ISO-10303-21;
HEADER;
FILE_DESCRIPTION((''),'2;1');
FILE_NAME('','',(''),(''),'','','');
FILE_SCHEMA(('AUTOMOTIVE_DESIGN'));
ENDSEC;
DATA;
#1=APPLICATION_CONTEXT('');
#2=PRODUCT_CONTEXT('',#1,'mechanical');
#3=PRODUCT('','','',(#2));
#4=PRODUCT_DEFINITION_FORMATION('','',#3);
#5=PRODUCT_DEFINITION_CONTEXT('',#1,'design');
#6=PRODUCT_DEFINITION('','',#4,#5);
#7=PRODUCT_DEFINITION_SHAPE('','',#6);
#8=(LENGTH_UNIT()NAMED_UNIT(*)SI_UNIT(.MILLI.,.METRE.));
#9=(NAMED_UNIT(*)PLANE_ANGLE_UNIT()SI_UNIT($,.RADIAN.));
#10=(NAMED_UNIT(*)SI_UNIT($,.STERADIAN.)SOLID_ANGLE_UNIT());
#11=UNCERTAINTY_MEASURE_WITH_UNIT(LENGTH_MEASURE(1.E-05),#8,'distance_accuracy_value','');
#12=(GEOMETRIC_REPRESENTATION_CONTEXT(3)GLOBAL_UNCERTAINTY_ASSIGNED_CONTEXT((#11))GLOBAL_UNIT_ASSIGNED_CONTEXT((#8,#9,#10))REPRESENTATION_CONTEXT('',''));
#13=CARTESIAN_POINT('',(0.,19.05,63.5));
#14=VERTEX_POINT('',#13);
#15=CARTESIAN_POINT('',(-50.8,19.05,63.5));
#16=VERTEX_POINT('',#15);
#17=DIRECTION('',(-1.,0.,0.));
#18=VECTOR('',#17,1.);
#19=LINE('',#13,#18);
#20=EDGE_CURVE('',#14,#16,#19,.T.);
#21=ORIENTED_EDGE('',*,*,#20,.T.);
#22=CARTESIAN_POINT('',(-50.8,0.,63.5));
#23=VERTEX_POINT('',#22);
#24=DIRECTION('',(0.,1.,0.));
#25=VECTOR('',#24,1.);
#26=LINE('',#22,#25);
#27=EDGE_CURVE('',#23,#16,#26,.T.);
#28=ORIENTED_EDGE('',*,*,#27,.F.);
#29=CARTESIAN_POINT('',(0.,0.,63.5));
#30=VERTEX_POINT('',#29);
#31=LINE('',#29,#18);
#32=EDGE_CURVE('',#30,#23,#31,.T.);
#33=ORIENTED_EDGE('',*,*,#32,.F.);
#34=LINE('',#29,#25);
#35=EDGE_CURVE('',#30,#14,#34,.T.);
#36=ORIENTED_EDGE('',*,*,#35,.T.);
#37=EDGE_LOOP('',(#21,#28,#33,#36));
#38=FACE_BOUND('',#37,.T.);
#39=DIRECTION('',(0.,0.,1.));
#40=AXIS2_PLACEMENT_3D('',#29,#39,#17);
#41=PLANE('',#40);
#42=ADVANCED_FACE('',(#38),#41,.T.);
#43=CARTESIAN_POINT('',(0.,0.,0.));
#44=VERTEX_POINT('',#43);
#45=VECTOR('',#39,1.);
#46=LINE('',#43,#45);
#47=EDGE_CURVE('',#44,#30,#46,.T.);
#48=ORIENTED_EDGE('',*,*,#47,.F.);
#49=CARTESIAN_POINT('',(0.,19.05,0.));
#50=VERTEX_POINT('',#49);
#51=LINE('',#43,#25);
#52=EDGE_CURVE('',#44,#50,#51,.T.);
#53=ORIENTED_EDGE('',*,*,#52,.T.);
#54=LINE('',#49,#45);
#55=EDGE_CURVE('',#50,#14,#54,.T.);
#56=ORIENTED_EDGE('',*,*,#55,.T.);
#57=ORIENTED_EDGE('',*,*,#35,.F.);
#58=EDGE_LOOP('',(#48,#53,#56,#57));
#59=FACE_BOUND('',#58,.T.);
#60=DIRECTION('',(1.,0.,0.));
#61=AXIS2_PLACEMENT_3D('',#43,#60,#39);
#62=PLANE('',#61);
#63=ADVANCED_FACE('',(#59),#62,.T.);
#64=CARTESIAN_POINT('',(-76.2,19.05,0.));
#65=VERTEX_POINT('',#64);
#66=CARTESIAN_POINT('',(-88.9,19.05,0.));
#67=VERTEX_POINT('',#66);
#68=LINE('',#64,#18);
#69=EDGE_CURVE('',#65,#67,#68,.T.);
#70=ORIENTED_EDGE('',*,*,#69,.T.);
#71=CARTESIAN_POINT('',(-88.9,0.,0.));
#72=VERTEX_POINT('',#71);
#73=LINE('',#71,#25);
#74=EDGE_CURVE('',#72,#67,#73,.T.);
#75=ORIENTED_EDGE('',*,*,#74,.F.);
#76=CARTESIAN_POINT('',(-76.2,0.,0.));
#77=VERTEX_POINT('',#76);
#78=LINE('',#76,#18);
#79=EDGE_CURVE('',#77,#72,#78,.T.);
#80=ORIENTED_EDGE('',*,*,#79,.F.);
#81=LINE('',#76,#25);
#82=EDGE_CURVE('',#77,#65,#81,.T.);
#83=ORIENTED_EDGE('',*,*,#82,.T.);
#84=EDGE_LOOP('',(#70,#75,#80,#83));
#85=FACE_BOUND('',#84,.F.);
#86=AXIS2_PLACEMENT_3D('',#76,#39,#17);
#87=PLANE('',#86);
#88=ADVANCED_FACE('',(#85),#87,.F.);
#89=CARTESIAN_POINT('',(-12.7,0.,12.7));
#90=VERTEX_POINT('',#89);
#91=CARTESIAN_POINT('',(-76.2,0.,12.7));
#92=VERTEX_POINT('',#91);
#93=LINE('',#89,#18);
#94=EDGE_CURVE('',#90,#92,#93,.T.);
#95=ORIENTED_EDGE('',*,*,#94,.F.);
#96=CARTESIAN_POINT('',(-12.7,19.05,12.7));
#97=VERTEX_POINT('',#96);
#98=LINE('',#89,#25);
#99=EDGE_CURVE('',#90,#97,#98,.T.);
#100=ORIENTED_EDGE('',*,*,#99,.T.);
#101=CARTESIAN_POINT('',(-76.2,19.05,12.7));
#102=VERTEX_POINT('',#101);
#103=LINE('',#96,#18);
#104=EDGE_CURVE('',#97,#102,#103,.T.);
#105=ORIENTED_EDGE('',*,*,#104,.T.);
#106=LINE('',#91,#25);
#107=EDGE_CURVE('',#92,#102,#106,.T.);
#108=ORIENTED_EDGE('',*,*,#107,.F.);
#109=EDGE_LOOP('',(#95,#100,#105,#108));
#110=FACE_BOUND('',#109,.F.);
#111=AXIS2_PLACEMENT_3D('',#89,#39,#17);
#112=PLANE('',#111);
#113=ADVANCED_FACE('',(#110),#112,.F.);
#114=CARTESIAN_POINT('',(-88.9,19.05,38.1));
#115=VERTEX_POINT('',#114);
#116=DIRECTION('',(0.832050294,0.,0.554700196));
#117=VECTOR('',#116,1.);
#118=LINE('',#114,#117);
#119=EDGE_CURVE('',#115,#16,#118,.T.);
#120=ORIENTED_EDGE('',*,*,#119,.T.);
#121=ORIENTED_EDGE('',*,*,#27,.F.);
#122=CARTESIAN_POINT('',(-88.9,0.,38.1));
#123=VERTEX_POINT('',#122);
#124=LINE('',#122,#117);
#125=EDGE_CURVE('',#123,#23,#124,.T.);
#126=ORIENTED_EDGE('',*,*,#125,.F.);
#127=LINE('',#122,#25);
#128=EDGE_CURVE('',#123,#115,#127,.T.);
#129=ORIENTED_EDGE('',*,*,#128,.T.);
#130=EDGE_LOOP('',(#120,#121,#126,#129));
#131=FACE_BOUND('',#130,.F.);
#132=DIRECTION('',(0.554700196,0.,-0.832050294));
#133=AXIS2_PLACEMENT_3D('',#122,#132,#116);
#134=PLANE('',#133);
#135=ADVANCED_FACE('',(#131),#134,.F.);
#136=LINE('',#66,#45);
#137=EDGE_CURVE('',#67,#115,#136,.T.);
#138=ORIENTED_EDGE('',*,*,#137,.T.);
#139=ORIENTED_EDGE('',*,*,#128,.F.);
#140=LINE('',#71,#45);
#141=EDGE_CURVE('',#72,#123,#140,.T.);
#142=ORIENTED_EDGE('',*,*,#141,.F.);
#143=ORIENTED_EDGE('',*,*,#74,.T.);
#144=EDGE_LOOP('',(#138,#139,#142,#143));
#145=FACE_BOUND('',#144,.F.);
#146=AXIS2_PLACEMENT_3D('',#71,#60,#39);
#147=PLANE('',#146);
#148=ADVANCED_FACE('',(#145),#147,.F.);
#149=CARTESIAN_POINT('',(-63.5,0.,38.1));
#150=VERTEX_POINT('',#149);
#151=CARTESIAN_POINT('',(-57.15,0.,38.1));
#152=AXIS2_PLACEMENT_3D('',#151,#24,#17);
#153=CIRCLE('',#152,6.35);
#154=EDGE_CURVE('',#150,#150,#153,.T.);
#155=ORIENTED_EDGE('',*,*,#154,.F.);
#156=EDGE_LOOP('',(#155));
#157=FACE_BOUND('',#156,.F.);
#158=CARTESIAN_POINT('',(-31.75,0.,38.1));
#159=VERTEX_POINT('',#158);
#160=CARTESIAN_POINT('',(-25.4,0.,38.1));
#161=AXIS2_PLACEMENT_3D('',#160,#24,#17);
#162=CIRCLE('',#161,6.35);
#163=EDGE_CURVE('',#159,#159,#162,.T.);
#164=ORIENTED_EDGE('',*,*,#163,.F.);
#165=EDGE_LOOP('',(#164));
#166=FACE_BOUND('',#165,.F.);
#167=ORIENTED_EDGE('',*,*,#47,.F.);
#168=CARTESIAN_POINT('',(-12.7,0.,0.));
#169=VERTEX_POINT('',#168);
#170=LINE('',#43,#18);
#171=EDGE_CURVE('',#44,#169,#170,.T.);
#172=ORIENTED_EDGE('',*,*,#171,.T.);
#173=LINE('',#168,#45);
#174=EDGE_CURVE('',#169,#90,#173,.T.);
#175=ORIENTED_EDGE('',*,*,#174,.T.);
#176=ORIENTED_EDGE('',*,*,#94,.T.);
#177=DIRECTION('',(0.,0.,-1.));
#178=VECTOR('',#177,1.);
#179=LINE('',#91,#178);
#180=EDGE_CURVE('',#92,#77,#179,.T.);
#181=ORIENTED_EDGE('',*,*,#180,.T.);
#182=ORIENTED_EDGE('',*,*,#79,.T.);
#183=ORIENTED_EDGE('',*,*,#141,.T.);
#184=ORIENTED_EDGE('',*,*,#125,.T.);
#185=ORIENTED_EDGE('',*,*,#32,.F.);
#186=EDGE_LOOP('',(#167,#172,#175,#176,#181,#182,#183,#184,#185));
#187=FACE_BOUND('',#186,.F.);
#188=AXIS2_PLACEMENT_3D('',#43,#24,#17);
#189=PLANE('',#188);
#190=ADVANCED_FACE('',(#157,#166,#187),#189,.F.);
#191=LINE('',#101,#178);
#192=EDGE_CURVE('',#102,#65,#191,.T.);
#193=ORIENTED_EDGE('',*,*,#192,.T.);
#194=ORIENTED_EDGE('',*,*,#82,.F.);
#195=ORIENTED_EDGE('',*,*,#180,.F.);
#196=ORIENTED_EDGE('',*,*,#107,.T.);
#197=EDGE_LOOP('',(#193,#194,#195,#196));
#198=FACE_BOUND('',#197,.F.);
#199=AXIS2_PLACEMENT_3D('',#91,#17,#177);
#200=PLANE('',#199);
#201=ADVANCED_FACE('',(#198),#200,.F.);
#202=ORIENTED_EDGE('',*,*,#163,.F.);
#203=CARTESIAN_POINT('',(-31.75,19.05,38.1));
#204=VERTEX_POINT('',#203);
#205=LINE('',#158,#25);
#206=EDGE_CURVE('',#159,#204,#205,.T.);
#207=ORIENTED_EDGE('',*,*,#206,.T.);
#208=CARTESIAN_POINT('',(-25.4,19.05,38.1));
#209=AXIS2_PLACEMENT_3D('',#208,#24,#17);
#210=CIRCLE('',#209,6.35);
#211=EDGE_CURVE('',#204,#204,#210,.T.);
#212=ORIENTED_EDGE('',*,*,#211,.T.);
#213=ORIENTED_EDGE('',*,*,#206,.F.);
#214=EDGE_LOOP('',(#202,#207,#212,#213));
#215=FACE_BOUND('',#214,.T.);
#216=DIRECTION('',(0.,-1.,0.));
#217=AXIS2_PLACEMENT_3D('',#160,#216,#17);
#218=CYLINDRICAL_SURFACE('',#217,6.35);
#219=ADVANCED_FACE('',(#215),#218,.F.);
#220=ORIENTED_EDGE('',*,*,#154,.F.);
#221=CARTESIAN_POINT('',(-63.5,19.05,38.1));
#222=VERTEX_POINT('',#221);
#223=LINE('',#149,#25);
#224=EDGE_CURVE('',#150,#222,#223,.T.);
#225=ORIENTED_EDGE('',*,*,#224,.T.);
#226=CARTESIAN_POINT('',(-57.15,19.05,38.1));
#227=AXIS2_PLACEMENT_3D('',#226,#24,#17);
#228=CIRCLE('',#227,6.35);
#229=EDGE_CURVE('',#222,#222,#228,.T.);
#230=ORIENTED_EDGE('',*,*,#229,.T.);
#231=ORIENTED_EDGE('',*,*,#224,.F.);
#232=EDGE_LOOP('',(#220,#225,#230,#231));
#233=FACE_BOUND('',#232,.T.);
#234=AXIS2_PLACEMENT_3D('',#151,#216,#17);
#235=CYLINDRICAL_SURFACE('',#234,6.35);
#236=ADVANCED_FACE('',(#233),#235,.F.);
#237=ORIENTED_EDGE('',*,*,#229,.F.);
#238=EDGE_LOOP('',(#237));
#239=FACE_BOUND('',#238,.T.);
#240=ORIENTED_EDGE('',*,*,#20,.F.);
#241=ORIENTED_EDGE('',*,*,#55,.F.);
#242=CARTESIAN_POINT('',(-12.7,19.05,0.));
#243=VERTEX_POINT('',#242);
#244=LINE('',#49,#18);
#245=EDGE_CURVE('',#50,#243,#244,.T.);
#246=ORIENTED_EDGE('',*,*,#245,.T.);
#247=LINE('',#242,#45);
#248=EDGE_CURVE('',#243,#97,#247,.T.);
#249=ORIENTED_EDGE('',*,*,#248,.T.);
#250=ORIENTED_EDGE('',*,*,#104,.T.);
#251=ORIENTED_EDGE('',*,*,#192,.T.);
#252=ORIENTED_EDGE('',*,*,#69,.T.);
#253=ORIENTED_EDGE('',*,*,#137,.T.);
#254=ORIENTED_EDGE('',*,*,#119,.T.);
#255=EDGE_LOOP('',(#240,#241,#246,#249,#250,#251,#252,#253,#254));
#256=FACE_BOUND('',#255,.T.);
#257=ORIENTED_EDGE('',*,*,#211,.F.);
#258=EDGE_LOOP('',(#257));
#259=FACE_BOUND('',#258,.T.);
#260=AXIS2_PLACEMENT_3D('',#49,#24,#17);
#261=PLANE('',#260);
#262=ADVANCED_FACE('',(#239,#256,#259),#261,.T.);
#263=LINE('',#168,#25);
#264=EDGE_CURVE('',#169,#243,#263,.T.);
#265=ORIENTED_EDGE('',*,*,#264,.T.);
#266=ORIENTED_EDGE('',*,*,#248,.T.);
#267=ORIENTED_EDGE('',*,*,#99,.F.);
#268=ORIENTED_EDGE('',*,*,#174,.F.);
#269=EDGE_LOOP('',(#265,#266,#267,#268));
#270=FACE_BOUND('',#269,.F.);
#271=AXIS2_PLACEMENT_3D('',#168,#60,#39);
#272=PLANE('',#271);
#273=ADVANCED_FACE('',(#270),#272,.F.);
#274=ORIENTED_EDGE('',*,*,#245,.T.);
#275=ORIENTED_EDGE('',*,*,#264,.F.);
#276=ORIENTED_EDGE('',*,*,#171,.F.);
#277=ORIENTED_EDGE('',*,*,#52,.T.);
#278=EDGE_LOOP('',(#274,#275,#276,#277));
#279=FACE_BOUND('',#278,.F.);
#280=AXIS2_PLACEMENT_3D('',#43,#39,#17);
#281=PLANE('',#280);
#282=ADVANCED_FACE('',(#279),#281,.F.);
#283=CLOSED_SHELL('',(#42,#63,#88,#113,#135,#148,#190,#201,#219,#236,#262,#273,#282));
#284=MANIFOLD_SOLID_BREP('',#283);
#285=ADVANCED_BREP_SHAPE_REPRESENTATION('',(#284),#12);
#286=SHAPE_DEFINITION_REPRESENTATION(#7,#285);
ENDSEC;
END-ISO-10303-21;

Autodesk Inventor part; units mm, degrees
ref_plane "YZ Plane" through (0, 0, 0) normal (1, 0, 0) x (0, 1, 0)
ref_plane "XZ Plane" through (0, 0, 0) normal (0, 1, 0) x (-1, 0, 0)
ref_plane "XY Plane" through (0, 0, 0) normal (0, 0, 1) x (1, 0, 0)
sketch "Sketch1" plane through (0, 0, 0) normal (0, 1, 0) x (-1, 0, 0)
  line L0 (0, 0) -> (0, 63.5)
  line L1 (0, 63.5) -> (50.8, 63.5)
  line L2 (0, 0) -> (12.7, 0)
  line L3 (12.7, 0) -> (12.7, 12.7)
  line L4 (12.7, 12.7) -> (76.2, 12.7)
  line L5 (76.2, 12.7) -> (76.2, 0)
  line L6 (76.2, 0) -> (88.9, 0)
  line L7 (88.9, 0) -> (88.9, 38.1)
  line L8 (88.9, 38.1) -> (50.8, 63.5)
  circle A0 centre (25.4, 38.1) radius 6.35
  circle A1 centre (57.15, 38.1) radius 6.35
  dimension "d0" = 63.5
  dimension "d1" = 50.8
  dimension "d2" = 63.5
  dimension "d3" = 12.7
extrude "Extrusion1" add sketch "Sketch1" along normal blind 19.05
properties part number "P1-3"
